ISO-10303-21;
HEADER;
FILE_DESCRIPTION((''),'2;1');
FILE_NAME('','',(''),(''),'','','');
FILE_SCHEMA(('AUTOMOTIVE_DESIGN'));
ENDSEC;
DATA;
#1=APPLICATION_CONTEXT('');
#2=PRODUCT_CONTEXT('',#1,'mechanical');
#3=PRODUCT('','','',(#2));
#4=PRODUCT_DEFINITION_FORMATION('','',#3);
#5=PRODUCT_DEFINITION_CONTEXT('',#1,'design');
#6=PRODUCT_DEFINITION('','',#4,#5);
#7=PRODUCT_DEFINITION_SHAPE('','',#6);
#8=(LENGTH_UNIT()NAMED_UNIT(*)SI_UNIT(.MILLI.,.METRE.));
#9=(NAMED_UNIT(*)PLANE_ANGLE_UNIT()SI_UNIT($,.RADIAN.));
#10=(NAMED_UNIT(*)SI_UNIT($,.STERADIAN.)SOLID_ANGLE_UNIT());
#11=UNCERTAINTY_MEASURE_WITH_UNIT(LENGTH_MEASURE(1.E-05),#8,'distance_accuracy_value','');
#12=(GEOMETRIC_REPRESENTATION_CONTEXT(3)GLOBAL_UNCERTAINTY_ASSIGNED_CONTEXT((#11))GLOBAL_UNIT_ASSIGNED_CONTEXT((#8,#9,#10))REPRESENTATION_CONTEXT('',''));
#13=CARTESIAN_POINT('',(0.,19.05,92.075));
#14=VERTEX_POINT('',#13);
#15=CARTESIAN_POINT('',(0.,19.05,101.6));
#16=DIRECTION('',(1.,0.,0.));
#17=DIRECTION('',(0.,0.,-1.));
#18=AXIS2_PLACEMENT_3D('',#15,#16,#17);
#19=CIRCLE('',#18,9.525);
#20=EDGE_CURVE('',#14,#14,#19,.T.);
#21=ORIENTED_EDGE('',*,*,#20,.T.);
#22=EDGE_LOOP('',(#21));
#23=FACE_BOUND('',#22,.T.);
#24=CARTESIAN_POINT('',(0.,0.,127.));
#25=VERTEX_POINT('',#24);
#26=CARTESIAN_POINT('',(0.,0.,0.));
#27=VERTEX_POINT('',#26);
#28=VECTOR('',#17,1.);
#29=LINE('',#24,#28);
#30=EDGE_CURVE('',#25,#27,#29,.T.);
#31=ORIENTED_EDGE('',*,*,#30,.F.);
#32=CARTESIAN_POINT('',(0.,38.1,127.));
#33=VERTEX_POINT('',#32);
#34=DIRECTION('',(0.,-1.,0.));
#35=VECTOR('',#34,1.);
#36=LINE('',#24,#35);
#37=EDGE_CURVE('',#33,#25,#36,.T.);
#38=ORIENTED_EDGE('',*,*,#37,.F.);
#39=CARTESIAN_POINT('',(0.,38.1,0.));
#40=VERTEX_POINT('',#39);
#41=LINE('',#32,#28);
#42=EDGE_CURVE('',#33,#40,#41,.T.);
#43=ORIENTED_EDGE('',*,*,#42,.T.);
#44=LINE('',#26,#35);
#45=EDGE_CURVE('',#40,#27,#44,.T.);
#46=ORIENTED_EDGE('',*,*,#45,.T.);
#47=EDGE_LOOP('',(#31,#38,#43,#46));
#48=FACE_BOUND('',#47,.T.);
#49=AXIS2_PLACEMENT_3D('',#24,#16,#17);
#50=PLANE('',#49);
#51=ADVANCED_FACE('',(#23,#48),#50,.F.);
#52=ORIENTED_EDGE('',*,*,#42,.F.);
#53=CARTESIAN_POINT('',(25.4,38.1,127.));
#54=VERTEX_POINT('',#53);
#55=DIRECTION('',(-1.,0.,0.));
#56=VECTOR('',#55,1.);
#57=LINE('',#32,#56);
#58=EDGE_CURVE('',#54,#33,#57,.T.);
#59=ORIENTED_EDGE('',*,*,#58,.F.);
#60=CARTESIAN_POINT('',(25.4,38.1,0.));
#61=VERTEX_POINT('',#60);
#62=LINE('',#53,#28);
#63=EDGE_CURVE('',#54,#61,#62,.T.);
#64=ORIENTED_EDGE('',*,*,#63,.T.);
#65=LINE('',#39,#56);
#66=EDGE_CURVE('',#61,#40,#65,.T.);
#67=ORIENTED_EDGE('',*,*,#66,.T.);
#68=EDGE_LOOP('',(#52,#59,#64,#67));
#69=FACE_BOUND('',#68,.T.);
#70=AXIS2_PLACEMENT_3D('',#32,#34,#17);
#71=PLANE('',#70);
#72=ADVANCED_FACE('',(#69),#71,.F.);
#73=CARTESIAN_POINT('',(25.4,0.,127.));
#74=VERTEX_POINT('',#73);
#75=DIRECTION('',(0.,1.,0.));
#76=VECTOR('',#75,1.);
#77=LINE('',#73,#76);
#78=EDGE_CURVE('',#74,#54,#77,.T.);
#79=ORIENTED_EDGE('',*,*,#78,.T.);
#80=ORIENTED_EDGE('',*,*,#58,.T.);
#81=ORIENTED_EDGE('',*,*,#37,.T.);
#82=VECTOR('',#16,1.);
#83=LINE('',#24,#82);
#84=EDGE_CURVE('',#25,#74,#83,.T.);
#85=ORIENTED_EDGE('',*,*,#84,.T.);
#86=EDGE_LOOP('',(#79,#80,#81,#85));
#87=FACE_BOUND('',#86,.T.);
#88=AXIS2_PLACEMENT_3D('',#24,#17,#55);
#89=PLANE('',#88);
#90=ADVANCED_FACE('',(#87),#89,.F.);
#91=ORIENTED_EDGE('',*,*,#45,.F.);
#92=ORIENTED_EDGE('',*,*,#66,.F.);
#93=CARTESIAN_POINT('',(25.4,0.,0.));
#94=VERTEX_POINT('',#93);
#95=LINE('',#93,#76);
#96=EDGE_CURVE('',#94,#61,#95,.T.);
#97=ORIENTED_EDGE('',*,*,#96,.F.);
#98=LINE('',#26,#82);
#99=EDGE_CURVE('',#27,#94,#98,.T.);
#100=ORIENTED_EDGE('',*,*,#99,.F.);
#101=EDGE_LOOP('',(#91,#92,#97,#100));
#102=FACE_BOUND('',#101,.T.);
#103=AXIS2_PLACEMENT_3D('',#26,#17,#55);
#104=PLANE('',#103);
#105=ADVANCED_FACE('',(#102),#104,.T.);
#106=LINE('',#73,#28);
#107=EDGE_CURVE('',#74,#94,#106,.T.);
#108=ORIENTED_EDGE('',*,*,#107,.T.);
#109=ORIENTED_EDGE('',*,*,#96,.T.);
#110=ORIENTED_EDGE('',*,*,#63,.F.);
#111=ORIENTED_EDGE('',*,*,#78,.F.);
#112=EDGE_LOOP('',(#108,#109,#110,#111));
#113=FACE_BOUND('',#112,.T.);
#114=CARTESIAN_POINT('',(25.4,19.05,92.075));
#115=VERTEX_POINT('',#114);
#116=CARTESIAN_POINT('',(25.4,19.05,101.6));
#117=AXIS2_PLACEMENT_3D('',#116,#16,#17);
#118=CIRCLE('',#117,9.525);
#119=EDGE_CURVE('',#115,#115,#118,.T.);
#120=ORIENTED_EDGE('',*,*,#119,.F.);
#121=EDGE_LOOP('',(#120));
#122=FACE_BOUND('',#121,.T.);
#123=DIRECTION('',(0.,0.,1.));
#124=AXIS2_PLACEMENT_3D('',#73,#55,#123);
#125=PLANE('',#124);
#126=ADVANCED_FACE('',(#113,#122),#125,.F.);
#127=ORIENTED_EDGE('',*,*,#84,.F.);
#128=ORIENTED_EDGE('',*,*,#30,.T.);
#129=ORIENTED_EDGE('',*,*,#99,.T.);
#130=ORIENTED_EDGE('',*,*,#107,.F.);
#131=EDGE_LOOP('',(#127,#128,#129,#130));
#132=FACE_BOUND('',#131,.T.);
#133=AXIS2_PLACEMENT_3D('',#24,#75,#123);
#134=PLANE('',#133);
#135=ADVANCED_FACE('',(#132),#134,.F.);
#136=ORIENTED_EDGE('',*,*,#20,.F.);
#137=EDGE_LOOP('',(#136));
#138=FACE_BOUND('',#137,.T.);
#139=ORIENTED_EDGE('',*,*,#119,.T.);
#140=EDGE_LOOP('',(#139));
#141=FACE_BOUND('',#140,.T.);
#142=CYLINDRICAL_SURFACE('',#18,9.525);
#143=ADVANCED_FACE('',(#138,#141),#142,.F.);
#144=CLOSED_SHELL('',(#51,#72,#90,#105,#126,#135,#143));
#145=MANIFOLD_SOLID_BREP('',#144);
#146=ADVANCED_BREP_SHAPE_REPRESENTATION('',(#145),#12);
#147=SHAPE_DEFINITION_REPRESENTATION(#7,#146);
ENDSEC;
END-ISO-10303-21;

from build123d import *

# Parameters (mm, degrees)
SKETCH1_W           = 25.4
SKETCH1_H           = 38.1
BOSS_EXTRUDE1_DEPTH = 127
SKETCH2_R           = 9.525
CUT_EXTRUDE1_DEPTH  = 26.4


with BuildPart() as part:
    # Sketch1 → Boss-Extrude1 (new body)
    with BuildSketch(Plane.XY):
        with Locations((12.7, 19.05)):
            Rectangle(SKETCH1_W, SKETCH1_H)
    extrude(amount=BOSS_EXTRUDE1_DEPTH)

    # Sketch2 → Cut-Extrude1 (cut, through all)
    with BuildSketch(Plane(origin=(25.4, 0, 0), x_dir=(0, 0, -1), z_dir=(1, 0, 0))):
        with Locations((-101.6, 19.05)):
            Circle(SKETCH2_R)
    extrude(amount=-CUT_EXTRUDE1_DEPTH, mode=Mode.SUBTRACT)


solid = part.part
